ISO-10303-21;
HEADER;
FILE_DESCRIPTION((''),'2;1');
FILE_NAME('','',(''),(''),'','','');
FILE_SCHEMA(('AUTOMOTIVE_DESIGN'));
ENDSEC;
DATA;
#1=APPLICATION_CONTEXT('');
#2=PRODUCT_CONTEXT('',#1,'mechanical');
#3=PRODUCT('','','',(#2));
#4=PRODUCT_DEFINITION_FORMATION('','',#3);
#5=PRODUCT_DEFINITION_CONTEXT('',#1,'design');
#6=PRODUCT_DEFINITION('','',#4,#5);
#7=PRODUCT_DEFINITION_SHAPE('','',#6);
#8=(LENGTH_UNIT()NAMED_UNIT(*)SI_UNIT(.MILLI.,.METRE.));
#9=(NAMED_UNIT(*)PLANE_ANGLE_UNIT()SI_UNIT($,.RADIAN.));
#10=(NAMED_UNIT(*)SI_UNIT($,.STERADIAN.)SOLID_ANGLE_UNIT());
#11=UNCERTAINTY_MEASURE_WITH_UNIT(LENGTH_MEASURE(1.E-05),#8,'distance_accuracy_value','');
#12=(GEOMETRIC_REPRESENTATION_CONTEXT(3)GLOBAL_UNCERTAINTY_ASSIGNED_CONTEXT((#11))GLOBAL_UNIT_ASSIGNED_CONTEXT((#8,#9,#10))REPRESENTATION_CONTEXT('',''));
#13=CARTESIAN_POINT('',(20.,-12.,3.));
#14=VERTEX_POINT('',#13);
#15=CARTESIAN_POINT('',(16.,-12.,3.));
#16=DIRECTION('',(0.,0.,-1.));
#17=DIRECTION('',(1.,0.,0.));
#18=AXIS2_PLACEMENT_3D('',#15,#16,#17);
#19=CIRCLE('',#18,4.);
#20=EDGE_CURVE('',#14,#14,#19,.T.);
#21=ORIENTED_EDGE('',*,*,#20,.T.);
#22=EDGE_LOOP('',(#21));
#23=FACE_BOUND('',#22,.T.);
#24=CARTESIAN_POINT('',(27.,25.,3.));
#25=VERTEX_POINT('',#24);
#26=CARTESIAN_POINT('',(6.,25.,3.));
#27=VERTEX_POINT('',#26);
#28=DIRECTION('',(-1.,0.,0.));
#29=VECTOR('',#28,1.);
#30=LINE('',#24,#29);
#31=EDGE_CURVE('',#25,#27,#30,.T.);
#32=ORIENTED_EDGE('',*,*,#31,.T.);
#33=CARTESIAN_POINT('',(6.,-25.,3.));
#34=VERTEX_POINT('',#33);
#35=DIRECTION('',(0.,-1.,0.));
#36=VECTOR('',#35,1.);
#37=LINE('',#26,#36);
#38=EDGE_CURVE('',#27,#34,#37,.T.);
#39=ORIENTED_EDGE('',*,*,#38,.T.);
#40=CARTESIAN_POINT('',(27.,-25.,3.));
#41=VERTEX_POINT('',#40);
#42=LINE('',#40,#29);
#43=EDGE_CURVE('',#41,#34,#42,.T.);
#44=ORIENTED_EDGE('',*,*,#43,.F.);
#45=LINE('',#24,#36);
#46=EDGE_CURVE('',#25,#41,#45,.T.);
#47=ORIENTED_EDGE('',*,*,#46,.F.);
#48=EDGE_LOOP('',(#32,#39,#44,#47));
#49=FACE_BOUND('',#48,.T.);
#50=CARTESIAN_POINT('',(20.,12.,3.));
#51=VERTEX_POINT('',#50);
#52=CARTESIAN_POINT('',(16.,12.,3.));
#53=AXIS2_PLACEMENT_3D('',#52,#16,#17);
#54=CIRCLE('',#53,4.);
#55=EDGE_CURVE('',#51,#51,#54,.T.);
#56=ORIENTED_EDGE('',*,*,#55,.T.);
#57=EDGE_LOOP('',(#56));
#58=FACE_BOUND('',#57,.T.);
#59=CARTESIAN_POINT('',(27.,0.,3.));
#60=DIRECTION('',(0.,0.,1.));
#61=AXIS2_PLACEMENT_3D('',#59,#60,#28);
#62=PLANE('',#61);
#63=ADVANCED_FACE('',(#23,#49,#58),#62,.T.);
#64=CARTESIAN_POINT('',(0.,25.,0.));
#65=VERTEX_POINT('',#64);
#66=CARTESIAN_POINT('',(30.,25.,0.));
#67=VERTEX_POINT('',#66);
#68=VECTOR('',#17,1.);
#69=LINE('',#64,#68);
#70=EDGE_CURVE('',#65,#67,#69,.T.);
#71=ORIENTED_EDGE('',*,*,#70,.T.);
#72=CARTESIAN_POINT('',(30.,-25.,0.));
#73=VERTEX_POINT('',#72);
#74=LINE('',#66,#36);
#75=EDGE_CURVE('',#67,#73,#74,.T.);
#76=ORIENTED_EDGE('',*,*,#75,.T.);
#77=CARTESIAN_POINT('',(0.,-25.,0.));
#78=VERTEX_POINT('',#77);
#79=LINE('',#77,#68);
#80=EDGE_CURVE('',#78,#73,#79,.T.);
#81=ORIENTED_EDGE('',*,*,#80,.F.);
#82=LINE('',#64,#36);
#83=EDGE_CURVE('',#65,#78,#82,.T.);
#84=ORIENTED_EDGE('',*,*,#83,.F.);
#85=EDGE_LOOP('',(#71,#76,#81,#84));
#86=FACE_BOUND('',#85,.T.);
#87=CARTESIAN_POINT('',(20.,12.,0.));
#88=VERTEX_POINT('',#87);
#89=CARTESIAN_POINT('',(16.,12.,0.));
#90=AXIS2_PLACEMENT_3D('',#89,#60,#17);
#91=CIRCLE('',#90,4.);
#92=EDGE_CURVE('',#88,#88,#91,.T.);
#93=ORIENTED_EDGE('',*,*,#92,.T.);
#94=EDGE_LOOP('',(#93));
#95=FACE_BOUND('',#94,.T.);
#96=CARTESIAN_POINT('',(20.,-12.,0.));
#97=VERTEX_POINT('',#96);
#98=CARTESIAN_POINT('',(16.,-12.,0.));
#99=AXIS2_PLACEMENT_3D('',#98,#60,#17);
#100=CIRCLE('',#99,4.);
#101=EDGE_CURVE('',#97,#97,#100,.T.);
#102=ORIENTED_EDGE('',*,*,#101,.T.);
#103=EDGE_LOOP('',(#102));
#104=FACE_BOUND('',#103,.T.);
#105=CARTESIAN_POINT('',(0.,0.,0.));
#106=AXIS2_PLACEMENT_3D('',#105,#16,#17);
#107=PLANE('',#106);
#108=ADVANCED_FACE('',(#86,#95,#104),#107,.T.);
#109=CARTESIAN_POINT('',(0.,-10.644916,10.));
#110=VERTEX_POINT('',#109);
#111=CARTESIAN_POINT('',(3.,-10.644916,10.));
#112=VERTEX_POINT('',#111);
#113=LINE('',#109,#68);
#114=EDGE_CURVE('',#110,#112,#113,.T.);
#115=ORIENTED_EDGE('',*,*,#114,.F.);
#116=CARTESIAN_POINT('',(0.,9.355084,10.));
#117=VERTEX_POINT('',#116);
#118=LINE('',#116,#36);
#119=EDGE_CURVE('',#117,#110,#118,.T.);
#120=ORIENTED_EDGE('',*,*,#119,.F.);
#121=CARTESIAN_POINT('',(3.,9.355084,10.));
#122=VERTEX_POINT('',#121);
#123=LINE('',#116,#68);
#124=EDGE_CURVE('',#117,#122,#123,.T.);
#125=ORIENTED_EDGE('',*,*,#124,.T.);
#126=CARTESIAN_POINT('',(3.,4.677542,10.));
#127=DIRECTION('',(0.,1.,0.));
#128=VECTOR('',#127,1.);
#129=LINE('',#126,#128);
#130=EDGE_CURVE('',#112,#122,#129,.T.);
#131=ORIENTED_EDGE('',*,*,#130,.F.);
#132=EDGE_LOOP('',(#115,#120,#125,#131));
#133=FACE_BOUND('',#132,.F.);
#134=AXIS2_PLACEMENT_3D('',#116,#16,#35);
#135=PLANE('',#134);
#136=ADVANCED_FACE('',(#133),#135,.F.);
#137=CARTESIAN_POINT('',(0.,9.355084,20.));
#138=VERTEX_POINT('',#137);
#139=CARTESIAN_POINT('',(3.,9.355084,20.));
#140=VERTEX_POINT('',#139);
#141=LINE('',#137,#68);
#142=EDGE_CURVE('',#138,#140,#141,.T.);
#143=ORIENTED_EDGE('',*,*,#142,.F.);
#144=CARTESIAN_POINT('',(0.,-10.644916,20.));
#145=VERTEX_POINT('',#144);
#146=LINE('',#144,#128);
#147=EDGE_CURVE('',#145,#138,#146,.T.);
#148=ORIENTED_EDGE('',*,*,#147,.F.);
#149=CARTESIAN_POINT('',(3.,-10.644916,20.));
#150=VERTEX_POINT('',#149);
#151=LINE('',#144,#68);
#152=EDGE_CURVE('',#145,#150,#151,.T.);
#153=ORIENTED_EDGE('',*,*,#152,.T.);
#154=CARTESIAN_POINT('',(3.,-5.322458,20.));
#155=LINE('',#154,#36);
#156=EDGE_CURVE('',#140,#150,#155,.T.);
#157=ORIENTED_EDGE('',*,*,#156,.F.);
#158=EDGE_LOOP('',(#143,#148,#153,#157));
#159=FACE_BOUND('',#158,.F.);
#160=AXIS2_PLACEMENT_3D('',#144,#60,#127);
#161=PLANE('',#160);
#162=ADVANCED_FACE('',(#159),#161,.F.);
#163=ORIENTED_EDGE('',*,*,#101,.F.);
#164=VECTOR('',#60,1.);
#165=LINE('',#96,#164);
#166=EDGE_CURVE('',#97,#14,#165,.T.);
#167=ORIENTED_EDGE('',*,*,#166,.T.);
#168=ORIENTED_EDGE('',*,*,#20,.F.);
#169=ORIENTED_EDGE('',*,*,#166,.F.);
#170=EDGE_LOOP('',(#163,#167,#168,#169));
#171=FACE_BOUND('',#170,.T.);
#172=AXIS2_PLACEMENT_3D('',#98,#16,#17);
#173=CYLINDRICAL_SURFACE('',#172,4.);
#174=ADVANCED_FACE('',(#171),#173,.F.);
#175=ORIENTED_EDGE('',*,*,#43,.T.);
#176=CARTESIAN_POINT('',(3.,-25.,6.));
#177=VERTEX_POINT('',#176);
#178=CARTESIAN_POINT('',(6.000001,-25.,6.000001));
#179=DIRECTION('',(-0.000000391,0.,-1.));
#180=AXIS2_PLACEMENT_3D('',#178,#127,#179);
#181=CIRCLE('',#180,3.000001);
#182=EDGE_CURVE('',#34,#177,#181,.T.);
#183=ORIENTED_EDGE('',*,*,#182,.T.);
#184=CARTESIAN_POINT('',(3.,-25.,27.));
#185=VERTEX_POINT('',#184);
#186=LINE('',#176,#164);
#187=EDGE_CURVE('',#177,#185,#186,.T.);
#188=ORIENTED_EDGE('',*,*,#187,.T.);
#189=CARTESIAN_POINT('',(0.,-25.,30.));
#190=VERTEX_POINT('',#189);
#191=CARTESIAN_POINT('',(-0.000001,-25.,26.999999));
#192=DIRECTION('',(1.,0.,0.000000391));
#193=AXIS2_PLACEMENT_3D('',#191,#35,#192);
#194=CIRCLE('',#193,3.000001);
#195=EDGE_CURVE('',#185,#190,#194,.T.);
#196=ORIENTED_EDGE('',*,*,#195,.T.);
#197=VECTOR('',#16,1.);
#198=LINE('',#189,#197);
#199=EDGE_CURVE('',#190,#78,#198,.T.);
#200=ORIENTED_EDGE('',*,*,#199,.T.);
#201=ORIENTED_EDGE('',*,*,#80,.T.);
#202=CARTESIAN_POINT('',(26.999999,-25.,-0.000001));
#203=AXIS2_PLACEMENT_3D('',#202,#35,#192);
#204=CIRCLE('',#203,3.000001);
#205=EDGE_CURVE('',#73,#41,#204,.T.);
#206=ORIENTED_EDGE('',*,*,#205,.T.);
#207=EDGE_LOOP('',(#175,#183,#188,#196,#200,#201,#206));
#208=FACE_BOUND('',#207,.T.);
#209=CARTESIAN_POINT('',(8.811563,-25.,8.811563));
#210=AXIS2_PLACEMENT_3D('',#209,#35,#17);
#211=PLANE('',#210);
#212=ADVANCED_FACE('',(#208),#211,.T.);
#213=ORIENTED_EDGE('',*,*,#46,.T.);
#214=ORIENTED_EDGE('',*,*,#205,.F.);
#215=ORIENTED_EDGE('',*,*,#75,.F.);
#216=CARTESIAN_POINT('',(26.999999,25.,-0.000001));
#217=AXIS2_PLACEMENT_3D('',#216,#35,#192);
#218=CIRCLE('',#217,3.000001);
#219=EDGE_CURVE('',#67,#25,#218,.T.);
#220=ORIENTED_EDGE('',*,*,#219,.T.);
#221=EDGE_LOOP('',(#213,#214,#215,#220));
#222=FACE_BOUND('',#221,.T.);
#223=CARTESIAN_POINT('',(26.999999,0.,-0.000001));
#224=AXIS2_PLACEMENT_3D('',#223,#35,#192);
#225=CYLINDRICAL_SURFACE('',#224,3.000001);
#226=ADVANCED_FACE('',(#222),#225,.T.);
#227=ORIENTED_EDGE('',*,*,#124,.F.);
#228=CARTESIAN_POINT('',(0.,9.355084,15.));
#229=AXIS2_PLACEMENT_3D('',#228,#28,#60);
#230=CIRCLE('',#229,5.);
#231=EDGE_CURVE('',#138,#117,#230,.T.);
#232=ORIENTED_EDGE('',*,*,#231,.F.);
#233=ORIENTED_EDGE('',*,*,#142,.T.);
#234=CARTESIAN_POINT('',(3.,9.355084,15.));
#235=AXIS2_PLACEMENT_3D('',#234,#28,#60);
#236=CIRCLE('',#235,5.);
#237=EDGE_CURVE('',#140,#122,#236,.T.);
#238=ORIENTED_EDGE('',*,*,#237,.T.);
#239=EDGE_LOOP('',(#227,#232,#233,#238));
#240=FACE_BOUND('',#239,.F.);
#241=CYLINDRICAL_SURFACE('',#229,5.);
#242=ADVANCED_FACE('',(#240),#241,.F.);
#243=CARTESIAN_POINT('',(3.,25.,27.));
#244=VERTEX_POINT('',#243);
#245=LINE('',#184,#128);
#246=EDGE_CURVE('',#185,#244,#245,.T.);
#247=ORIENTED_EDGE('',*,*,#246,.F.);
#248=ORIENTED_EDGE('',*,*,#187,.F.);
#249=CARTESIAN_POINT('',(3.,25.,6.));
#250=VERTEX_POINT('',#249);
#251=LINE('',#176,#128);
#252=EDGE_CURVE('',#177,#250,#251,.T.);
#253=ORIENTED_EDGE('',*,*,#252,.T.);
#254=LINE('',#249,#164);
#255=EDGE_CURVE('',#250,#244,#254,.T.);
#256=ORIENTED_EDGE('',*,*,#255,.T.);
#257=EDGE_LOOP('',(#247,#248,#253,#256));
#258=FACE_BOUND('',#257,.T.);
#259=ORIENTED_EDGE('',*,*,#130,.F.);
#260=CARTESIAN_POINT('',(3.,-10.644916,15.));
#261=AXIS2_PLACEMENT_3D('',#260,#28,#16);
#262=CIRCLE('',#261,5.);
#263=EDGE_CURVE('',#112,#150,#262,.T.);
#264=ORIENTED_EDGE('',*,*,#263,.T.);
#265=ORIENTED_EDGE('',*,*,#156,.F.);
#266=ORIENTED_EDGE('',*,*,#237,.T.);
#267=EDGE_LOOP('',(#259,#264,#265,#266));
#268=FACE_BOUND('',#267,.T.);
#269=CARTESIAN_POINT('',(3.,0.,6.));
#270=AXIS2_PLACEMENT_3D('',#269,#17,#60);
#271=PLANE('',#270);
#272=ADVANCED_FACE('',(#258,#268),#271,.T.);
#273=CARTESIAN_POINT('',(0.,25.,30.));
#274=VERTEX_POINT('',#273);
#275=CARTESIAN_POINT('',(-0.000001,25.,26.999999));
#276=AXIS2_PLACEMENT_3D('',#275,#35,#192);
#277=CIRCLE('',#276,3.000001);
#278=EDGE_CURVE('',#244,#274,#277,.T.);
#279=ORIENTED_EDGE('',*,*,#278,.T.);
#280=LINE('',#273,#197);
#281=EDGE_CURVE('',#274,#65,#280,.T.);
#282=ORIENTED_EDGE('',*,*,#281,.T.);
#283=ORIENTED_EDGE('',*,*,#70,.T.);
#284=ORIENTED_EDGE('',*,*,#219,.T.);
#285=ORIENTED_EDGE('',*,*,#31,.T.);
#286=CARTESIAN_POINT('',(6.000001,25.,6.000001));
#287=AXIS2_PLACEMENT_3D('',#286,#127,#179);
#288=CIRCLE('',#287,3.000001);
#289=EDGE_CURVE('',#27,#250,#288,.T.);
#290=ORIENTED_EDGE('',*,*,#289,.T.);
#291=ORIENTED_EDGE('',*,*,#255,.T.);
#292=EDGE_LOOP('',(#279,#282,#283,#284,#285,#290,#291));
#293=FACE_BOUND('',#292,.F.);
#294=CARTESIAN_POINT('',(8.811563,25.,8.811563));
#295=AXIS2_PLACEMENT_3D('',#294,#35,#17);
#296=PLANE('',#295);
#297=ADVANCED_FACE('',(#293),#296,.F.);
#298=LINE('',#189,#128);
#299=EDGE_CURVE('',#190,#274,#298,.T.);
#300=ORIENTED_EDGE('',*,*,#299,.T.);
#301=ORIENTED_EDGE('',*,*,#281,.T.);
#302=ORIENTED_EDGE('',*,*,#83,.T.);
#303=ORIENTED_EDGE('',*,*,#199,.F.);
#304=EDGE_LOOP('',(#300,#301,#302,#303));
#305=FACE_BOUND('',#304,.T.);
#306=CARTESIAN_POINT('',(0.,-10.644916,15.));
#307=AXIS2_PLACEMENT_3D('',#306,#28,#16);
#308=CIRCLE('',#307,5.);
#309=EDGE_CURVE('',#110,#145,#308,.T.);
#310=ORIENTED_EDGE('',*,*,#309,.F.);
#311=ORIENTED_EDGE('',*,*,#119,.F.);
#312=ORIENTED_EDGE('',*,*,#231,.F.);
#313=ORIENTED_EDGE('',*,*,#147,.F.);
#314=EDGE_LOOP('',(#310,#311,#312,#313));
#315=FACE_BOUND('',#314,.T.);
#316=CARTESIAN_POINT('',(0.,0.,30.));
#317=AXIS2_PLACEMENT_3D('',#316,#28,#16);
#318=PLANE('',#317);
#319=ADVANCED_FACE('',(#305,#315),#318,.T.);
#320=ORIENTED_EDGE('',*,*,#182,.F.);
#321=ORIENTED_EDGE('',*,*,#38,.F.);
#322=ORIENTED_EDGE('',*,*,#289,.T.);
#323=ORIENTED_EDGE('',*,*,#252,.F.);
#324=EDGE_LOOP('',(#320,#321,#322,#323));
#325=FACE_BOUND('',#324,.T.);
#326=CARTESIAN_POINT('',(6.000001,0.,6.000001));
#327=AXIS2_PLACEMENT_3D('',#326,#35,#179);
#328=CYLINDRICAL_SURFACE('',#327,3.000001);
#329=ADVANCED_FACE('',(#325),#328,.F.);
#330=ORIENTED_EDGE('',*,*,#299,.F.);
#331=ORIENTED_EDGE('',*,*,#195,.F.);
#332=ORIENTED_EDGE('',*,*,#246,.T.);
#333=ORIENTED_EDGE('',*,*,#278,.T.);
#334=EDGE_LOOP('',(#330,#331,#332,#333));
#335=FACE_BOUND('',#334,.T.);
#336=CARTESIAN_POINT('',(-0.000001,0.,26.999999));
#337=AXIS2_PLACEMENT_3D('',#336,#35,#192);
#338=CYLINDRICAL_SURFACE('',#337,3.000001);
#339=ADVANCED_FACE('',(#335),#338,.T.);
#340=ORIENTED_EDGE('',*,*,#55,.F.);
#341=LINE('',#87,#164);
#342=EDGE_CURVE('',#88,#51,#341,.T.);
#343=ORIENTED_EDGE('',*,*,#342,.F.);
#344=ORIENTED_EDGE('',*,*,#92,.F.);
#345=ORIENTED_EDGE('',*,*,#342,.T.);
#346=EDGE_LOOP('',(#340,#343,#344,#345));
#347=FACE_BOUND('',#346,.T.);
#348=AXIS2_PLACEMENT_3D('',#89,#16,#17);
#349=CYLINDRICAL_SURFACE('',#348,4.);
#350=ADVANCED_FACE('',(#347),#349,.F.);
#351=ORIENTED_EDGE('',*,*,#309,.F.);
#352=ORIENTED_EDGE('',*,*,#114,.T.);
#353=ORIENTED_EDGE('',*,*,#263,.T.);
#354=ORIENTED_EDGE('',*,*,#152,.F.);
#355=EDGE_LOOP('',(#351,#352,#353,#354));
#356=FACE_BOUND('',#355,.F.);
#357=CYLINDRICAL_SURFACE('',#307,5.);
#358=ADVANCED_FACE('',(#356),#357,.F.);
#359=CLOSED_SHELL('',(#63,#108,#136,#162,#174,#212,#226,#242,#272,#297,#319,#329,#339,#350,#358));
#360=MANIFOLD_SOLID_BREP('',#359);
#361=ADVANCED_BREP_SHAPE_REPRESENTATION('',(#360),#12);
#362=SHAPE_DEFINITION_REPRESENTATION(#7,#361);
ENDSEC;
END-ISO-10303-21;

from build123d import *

# Parameters (mm, degrees)
F1_DEPTH      = 25
F1_DEPTH_BACK = 25
F2_R          = 4
F3_DEPTH      = 25
F6_DEPTH      = 25


with BuildPart() as f1:
    # F0 (on Front) → F1 (new body, two sides)
    with BuildSketch(Plane.XZ) as f1_sk:
        with BuildLine():
            Line((0, 30), (0, 0))
            Line((0, 0), (30, 0))
            ThreePointArc((30, 0), (29.12132, 2.12132), (27, 3))
            Line((27, 3), (6, 3))
            ThreePointArc((6, 3), (3.87868, 3.87868), (3, 6))
            Line((3, 6), (3, 27))
            ThreePointArc((3, 27), (2.12132, 29.12132), (0, 30))
        make_face()
    extrude(amount=F1_DEPTH)
    extrude(f1_sk.sketch, amount=-F1_DEPTH_BACK)

    # F2 (on Top) → F3 (cut)
    with BuildSketch(Plane.XY):
        with Locations((16, -12)):
            Circle(F2_R)
        with Locations((16, 12)):
            Circle(F2_R)
    extrude(amount=F3_DEPTH, mode=Mode.SUBTRACT)

    # F5 (on face) → F6 (cut)
    with BuildSketch(Plane(origin=(0, 0, 0), x_dir=(0, -1, 0), z_dir=(-1, 0, 0))):
        with BuildLine():
            ThreePointArc((-9.355084, 20), (-14.355084, 15), (-9.355084, 10))
            Line((-9.355084, 10), (10.644916, 10))
            ThreePointArc((10.644916, 10), (15.644916, 15), (10.644916, 20))
            Line((10.644916, 20), (-9.355084, 20))
        make_face()
    extrude(amount=-F6_DEPTH, mode=Mode.SUBTRACT)


solid = f1.part
